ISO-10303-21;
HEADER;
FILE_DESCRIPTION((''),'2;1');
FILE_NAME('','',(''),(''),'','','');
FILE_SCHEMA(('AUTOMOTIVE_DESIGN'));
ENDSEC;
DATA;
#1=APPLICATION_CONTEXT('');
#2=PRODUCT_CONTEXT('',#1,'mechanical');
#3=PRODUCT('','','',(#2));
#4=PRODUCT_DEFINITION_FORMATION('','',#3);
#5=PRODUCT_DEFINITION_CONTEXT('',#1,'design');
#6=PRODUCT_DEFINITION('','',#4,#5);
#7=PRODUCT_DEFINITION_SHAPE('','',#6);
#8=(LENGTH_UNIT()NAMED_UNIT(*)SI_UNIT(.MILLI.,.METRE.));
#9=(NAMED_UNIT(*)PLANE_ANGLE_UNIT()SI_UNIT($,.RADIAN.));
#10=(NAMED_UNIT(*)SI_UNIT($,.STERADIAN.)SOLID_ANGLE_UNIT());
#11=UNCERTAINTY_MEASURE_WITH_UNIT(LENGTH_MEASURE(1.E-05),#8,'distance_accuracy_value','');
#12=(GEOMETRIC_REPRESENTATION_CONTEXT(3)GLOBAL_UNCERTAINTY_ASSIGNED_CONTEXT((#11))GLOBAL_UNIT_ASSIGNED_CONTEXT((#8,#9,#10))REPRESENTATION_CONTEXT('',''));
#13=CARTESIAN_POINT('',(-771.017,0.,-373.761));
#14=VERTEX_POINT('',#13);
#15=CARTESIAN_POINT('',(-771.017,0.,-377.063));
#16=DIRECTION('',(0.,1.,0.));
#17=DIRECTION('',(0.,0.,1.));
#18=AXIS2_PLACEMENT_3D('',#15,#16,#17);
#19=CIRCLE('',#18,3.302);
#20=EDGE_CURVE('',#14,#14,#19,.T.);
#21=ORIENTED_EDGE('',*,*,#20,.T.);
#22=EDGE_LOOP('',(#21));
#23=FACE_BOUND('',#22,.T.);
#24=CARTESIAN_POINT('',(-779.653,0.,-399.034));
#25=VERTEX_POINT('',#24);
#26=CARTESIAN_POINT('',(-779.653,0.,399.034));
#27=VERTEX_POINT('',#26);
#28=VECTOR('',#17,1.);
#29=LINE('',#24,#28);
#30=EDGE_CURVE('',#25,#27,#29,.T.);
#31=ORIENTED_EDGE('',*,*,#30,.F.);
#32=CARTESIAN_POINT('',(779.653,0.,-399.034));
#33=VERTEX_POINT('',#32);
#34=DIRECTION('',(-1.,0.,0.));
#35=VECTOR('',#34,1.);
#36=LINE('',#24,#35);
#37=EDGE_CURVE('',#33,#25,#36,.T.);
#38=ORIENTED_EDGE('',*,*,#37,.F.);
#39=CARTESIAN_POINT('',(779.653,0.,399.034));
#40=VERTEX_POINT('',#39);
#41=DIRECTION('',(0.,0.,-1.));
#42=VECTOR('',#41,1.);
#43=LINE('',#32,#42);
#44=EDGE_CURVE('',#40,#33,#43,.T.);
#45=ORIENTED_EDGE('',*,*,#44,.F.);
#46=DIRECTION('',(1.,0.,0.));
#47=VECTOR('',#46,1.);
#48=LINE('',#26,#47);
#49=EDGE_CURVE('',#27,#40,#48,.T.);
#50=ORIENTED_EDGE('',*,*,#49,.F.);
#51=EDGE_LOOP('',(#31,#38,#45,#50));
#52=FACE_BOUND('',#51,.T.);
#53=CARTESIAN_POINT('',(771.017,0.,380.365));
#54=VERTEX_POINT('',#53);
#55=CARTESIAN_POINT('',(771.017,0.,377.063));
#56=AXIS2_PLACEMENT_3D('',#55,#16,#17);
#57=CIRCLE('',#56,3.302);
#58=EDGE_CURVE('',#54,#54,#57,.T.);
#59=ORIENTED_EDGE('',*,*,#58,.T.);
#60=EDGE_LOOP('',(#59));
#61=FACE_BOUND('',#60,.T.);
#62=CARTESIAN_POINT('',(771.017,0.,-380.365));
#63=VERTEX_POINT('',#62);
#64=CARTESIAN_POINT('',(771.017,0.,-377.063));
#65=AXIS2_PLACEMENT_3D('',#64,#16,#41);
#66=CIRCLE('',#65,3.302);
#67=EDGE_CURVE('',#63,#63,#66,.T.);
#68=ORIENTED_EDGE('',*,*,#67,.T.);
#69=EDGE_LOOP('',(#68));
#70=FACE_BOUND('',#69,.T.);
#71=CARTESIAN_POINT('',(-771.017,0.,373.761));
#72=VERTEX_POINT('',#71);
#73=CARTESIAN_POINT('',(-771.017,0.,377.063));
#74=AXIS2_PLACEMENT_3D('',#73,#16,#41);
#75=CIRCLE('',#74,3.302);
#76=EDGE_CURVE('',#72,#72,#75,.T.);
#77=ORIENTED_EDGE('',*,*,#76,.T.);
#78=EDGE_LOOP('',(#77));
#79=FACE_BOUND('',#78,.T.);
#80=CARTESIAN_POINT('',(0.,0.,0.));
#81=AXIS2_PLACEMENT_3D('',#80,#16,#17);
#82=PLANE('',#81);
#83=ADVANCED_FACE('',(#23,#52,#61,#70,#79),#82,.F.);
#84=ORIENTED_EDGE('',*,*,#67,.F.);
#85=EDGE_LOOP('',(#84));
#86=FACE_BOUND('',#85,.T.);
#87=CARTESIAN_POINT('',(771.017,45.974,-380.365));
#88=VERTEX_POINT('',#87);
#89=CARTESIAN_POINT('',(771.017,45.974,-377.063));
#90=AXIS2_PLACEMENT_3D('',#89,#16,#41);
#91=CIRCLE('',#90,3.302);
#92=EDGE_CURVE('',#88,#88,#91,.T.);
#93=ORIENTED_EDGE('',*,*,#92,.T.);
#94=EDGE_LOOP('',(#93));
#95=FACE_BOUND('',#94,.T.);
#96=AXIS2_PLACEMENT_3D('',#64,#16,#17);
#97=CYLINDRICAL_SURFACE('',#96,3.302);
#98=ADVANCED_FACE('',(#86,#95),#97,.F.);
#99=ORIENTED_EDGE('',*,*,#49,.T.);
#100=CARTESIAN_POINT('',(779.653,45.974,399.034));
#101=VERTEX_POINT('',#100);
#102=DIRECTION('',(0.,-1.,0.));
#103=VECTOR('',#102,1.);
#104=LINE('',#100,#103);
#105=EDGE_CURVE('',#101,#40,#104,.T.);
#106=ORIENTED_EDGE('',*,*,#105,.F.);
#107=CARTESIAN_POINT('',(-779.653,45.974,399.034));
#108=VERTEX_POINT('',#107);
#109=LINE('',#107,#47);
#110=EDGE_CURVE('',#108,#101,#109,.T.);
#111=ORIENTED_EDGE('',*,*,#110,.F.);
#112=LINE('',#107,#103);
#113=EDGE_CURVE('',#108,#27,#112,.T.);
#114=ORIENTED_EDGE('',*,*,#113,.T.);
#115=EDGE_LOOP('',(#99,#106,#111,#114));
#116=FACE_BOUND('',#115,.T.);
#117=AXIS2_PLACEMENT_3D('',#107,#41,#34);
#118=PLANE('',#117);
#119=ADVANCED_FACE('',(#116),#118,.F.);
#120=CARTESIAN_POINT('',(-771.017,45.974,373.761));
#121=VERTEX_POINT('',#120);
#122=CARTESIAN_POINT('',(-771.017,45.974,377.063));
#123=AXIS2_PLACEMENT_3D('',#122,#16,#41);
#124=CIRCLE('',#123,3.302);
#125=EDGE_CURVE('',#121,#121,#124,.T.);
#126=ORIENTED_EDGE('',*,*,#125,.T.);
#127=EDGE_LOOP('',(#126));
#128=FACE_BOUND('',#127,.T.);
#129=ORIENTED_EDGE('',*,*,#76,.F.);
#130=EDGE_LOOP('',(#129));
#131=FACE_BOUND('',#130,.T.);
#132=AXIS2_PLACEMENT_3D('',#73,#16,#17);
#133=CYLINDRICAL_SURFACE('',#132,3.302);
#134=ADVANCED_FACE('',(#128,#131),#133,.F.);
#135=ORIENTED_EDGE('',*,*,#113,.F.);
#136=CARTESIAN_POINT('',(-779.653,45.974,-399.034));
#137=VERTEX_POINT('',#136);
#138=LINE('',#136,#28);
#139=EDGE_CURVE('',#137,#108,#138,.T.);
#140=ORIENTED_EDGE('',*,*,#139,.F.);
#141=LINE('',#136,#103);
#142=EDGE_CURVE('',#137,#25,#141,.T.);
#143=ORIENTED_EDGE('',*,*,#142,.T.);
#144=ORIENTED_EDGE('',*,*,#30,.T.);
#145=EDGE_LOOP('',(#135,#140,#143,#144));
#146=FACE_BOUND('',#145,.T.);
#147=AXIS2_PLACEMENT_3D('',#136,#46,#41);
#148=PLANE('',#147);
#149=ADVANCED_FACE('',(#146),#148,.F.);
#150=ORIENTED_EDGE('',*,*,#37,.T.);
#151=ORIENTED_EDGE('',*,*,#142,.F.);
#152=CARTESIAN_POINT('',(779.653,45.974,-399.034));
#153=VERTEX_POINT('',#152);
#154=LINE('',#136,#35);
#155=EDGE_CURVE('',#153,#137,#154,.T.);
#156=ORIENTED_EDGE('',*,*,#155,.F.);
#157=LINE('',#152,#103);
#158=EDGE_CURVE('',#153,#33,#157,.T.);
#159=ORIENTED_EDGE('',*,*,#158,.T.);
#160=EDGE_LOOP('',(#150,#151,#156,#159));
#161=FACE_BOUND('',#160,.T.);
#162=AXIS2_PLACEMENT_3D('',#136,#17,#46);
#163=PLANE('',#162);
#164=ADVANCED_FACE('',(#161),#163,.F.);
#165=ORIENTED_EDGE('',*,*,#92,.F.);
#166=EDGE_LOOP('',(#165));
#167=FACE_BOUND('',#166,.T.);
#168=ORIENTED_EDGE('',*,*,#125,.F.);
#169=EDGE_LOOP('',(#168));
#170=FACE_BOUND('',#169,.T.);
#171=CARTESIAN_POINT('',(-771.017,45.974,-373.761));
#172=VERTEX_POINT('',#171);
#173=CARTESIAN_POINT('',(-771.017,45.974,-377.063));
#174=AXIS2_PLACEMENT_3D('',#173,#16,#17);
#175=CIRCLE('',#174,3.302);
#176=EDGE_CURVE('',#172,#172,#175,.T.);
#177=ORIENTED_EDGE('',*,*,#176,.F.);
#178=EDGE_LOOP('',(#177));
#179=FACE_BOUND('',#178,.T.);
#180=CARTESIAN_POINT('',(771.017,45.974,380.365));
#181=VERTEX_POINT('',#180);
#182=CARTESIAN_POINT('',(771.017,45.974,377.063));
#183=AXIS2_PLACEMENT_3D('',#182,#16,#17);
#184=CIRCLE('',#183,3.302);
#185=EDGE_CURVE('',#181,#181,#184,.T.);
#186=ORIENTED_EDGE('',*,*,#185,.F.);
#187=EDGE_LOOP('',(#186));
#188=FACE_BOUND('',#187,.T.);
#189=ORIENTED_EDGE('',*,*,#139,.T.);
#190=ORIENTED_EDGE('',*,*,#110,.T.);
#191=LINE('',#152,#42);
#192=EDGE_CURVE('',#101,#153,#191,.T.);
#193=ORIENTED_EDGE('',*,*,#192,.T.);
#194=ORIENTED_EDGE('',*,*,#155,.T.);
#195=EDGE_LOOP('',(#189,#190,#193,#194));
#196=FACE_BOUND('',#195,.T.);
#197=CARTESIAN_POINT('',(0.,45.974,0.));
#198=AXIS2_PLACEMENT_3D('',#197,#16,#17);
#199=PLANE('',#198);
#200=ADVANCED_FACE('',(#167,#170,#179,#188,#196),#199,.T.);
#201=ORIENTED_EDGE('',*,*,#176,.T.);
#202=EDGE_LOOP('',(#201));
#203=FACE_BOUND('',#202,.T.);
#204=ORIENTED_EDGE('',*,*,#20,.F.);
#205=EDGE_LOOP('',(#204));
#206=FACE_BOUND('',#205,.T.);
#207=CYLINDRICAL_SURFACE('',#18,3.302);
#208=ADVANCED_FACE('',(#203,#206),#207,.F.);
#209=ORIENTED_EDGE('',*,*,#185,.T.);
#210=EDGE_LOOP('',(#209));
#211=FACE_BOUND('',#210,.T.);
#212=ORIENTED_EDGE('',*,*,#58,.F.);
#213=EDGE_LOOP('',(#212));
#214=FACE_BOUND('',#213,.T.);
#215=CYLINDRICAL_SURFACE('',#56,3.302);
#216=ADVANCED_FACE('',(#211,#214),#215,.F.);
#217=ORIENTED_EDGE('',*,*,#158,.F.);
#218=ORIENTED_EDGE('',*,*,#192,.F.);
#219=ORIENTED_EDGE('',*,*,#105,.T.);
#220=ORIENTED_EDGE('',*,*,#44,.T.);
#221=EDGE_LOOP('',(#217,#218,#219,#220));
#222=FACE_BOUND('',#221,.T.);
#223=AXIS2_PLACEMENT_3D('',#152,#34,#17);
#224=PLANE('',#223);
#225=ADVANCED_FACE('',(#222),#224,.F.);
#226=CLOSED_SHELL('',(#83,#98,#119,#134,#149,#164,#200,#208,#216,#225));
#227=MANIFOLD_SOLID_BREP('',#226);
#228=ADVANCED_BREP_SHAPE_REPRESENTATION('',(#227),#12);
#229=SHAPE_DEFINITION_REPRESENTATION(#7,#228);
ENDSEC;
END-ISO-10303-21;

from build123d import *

# Parameters (mm, degrees)
SKETCH1_W           = 1559.306
SKETCH1_H           = 798.068
BOSS_EXTRUDE1_DEPTH = 45.974
SKETCH2_R           = 3.302
CUT_EXTRUDE1_DEPTH  = 46.974


with BuildPart() as part:
    # Sketch1 → Boss-Extrude1 (new body)
    with BuildSketch(Plane(origin=(0, 0, 0), x_dir=(1, 0, 0), z_dir=(0, 1, 0))):
        Rectangle(SKETCH1_W, SKETCH1_H)
    extrude(amount=BOSS_EXTRUDE1_DEPTH)

    # Sketch2 → Cut-Extrude1 (cut, through all)
    with BuildSketch(Plane(origin=(0, 45.974, 0), x_dir=(1, 0, 0), z_dir=(0, 1, 0))):
        with Locations((-771.017, 377.063)):
            Circle(SKETCH2_R)
        with Locations((771.017, 377.063)):
            Circle(SKETCH2_R)
        with Locations((771.017, -377.063)):
            Circle(SKETCH2_R)
        with Locations((-771.017, -377.063)):
            Circle(SKETCH2_R)
    extrude(amount=-CUT_EXTRUDE1_DEPTH, mode=Mode.SUBTRACT)


solid = part.part
